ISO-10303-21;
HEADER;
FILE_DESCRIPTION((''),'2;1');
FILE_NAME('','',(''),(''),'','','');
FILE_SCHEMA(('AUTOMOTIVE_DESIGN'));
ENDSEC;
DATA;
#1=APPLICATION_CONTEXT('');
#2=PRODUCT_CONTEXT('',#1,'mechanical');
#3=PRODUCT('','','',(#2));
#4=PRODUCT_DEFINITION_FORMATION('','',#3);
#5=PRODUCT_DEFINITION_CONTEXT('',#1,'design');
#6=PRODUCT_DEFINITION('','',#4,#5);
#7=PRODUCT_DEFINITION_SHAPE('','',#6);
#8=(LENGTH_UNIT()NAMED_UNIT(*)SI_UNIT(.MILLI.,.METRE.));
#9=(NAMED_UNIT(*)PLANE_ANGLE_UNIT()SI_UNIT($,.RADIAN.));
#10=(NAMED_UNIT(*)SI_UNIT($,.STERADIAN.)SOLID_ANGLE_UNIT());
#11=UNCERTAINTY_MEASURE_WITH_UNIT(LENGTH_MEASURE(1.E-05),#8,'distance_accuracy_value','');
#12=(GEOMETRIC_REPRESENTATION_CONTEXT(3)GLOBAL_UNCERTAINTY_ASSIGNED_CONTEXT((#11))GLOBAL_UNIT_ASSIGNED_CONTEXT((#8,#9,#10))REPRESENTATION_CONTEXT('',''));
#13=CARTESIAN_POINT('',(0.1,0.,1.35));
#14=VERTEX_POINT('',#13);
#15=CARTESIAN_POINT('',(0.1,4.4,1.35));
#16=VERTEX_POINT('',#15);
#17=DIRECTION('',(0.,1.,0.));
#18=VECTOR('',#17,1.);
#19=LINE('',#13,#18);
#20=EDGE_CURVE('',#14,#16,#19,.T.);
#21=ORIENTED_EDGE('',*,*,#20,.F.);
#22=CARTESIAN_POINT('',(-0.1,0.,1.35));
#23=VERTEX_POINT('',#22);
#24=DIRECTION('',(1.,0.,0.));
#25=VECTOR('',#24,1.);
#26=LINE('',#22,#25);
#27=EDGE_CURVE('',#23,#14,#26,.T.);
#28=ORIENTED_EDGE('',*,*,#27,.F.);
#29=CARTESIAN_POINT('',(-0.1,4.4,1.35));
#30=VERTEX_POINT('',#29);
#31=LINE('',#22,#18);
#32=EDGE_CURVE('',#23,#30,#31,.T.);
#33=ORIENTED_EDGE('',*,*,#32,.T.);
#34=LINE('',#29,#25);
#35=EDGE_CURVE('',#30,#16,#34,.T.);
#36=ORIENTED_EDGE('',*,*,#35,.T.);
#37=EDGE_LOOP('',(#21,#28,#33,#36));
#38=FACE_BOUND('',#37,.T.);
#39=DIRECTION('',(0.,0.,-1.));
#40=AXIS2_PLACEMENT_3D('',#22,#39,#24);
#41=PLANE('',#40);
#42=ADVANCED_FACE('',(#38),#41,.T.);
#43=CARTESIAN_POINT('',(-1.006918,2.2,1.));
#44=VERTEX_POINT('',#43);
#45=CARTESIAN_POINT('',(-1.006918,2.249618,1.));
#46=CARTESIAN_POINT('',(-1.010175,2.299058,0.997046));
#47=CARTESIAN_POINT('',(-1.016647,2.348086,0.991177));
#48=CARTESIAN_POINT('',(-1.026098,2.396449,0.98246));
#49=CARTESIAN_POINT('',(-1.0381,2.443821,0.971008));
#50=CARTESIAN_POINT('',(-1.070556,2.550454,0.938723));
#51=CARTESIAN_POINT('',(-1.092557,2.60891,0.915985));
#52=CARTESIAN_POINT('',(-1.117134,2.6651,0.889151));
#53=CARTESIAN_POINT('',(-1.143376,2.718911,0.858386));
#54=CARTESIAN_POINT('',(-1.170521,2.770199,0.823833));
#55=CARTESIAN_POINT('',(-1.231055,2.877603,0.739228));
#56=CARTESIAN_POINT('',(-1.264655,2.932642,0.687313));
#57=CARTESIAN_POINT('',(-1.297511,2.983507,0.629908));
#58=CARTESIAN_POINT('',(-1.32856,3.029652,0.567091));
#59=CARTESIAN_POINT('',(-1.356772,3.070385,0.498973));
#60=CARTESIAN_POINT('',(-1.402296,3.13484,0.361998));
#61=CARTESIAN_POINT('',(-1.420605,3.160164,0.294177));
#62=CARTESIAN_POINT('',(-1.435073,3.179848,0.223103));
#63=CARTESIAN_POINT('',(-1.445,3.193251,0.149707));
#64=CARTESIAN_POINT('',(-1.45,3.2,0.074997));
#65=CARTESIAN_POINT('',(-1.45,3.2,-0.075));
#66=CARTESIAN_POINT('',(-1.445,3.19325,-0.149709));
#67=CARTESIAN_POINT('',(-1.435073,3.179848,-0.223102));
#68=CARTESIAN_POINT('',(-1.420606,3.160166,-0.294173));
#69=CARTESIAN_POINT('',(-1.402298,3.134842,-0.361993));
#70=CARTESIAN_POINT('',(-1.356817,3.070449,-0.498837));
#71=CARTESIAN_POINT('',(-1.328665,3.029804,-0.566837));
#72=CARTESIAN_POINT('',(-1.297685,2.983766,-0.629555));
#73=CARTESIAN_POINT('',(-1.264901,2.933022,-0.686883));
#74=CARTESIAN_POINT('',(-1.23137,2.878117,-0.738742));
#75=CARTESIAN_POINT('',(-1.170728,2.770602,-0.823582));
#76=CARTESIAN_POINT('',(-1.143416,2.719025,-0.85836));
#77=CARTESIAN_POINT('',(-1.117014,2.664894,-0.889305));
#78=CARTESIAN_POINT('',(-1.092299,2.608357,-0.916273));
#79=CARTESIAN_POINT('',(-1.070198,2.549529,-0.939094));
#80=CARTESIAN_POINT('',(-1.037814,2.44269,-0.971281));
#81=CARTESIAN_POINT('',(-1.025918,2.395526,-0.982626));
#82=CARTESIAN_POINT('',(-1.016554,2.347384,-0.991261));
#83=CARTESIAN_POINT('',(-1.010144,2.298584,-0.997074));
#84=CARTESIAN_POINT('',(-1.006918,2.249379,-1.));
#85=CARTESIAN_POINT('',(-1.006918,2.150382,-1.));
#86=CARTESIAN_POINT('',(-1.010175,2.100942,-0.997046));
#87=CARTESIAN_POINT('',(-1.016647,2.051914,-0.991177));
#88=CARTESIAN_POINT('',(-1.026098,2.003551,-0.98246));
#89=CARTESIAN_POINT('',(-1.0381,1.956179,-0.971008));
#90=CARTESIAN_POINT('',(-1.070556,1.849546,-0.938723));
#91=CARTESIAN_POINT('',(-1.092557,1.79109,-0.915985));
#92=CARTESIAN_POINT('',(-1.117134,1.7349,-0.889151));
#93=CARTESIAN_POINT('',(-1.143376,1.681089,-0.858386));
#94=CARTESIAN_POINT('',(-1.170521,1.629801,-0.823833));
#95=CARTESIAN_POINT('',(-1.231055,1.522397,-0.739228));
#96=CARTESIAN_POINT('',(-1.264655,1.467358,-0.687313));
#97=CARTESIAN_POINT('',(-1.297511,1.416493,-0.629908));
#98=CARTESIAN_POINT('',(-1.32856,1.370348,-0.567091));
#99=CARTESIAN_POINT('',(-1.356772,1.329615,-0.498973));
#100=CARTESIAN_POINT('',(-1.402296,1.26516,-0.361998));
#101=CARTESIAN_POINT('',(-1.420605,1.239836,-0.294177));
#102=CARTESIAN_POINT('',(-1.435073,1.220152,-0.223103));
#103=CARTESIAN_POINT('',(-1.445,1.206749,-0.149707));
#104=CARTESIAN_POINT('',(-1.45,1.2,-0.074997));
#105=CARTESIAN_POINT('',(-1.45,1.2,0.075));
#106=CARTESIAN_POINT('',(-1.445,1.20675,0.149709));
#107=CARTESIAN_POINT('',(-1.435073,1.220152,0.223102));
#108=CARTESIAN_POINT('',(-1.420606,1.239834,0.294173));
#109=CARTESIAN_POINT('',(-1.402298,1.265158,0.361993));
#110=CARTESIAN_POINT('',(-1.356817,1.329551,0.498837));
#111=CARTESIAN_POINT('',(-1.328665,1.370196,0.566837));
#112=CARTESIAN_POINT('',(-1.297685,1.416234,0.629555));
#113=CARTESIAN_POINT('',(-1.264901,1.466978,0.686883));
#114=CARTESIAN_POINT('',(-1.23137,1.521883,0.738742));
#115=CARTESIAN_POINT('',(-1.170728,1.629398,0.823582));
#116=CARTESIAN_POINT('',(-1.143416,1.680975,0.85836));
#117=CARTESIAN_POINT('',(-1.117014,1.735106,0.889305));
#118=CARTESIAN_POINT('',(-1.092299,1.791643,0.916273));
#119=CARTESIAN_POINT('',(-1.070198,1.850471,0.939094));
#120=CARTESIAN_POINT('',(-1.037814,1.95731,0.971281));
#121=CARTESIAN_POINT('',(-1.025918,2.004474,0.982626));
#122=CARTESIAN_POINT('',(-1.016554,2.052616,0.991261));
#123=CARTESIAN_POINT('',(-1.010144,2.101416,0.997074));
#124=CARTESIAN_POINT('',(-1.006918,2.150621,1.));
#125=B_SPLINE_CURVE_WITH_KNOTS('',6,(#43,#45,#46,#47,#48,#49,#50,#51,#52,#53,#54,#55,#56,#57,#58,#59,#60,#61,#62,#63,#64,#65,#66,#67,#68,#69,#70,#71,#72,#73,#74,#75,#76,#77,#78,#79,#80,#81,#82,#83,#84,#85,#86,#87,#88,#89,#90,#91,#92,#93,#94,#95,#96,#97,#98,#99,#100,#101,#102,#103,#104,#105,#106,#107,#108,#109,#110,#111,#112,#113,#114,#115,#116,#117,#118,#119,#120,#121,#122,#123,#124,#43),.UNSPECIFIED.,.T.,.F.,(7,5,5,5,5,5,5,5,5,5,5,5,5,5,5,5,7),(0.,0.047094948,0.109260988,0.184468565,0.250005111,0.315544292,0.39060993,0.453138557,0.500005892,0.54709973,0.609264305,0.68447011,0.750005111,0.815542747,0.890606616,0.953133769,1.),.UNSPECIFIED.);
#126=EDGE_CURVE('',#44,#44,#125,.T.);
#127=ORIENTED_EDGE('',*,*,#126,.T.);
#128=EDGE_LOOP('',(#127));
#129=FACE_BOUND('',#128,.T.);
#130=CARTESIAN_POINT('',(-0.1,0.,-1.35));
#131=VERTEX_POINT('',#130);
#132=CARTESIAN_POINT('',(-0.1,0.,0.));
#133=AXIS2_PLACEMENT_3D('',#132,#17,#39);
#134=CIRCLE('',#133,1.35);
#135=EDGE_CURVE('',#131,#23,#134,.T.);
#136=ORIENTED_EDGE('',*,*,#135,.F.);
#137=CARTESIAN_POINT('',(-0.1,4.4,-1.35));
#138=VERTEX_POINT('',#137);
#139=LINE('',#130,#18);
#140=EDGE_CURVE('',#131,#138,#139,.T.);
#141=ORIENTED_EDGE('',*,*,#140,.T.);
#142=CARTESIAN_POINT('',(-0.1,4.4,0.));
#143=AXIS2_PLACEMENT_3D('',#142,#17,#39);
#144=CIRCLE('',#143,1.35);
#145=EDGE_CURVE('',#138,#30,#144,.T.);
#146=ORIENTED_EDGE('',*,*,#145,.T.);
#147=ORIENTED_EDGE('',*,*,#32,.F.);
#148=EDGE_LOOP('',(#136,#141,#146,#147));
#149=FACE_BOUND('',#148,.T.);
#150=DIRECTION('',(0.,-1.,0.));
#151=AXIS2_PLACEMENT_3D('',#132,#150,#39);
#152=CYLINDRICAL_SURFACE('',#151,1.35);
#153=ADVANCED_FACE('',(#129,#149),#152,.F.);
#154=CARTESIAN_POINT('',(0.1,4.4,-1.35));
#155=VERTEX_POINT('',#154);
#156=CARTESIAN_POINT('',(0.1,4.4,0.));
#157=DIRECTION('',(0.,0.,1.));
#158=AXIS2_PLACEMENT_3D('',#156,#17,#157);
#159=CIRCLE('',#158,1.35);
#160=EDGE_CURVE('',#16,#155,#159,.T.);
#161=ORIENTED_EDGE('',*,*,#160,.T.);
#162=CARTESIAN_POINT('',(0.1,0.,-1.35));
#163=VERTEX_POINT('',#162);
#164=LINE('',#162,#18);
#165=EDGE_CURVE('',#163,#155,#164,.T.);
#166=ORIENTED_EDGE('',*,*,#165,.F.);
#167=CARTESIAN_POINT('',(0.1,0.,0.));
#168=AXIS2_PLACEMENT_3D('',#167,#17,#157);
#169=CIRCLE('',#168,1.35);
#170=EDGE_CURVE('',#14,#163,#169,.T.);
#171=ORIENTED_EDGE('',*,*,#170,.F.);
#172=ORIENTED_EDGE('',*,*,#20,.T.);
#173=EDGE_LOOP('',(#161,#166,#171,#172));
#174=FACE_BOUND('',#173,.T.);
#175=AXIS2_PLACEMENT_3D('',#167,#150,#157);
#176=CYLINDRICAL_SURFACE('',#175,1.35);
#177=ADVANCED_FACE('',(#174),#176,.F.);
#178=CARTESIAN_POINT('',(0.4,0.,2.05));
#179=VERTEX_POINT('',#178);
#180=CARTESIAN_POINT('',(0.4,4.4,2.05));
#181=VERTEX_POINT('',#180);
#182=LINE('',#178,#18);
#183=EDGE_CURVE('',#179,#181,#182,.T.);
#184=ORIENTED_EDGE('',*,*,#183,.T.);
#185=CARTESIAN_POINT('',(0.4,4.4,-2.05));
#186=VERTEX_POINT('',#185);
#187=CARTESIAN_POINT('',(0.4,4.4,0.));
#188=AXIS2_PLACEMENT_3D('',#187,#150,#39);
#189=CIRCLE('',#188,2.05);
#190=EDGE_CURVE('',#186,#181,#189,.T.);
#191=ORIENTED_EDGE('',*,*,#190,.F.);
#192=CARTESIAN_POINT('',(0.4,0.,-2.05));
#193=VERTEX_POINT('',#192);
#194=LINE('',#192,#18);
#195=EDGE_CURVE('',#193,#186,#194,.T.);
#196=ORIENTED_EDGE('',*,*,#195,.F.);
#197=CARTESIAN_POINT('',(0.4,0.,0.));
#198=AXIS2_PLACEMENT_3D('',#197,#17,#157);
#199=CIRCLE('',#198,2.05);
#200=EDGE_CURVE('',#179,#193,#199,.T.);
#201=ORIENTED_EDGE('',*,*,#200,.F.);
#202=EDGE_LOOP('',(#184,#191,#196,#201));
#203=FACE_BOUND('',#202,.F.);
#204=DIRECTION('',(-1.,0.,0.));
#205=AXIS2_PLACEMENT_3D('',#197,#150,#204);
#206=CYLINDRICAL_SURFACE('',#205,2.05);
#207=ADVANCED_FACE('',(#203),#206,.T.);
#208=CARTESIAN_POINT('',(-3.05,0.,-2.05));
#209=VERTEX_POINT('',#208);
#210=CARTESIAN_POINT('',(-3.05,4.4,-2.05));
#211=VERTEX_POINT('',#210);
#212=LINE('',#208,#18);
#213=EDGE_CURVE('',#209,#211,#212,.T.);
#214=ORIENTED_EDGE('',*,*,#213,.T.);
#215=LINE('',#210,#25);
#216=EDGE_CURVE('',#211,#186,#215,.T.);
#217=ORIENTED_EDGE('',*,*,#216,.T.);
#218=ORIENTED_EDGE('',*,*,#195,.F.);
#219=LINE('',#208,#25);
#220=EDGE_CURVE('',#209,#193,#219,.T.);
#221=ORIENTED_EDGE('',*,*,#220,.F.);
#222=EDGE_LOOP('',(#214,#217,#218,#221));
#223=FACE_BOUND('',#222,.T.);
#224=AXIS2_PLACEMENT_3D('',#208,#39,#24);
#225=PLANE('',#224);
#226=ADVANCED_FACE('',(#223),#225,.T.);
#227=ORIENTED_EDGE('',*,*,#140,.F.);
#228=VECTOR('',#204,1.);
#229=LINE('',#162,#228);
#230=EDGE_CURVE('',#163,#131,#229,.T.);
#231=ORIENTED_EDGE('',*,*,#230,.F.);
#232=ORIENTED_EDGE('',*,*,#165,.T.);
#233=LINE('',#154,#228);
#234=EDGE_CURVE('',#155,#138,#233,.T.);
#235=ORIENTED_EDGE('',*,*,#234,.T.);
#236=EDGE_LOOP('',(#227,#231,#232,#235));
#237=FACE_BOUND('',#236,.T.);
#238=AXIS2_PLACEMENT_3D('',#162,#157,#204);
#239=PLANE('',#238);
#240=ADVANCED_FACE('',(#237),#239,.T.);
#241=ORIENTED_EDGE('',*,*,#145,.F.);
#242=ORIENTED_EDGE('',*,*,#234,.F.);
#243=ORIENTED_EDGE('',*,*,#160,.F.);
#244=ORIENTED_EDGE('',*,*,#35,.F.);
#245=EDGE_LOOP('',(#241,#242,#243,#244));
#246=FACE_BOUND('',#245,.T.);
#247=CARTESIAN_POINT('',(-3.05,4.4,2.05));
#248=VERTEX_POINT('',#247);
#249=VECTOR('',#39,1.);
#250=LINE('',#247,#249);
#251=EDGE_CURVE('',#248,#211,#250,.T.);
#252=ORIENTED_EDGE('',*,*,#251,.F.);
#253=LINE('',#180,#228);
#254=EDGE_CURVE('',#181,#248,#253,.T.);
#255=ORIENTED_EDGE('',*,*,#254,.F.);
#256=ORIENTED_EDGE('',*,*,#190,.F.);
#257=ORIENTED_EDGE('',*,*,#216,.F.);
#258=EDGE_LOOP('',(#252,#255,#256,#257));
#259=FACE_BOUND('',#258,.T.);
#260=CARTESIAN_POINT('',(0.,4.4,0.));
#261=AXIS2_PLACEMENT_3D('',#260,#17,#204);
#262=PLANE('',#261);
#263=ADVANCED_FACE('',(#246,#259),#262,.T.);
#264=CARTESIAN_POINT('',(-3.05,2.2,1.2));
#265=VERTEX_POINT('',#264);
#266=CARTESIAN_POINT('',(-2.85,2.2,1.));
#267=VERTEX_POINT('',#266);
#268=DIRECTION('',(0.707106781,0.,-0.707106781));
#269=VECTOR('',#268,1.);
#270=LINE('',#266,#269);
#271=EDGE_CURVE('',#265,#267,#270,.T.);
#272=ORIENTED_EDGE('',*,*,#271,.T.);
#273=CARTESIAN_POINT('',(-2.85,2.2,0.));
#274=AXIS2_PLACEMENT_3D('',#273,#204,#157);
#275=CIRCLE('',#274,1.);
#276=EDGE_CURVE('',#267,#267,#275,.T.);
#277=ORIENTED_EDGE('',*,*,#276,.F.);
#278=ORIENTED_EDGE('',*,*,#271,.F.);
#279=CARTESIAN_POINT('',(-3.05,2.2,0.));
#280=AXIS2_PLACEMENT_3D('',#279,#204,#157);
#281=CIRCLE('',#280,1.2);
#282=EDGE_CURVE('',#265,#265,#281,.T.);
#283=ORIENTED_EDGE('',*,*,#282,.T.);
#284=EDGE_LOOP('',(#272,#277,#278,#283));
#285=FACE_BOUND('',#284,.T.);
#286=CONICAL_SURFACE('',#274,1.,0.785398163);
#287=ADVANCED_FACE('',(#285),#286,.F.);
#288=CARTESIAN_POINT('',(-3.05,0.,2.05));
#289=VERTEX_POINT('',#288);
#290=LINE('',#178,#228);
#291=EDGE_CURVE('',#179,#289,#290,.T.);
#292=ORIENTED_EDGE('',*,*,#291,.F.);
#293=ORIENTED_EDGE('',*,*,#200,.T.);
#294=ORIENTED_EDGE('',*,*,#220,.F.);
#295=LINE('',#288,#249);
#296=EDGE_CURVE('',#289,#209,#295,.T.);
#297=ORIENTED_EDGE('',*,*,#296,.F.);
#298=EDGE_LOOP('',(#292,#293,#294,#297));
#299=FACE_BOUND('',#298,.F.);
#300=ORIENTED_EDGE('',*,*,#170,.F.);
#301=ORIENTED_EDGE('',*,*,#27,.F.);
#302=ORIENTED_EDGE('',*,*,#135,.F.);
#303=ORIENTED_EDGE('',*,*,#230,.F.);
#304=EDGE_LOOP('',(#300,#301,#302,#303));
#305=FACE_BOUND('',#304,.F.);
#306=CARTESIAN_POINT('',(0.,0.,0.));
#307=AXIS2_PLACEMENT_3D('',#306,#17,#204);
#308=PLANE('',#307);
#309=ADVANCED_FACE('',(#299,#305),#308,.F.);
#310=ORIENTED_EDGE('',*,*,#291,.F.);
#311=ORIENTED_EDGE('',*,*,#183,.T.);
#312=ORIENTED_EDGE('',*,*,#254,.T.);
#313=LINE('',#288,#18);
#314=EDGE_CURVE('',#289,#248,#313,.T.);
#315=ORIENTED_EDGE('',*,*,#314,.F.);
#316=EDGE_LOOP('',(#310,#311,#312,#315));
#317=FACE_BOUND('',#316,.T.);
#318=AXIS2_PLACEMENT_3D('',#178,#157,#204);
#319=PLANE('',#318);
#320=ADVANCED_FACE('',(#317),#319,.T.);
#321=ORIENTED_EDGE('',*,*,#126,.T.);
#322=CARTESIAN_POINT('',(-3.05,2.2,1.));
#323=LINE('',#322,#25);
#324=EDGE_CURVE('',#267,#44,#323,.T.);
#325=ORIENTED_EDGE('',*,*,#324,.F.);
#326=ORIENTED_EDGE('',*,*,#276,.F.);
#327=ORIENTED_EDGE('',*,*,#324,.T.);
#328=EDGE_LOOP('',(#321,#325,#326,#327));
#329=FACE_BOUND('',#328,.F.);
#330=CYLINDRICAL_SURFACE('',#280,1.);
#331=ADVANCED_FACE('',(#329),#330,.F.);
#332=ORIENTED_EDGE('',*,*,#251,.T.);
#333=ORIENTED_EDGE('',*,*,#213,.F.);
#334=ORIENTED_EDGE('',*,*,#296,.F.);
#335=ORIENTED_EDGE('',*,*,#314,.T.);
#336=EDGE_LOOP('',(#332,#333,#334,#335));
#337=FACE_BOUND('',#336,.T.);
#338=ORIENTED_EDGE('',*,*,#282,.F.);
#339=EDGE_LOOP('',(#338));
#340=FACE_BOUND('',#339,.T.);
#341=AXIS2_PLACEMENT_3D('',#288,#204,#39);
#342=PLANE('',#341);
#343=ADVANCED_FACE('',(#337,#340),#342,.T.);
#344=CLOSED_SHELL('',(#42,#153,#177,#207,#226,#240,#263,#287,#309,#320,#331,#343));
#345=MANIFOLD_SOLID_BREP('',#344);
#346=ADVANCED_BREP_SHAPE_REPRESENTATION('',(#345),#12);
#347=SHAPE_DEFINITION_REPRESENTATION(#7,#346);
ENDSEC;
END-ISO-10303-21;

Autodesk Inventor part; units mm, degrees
ref_plane "YZ Plane" through (0, 0, 0) normal (1, 0, 0) x (0, 1, 0)
ref_plane "XZ Plane" through (0, 0, 0) normal (0, 1, 0) x (-1, 0, 0)
ref_plane "XY Plane" through (0, 0, 0) normal (0, 0, 1) x (1, 0, 0)
sketch "Sketch1" plane through (0, 0, 0) normal (0, 1, 0) x (-1, 0, 0)
  circle A0 centre (-0.4, 0) radius 2.05
  line L0 (-0.4, 2.05) -> (3.05, 2.05)
  line L1 (3.05, 2.05) -> (3.05, -2.05)
  line L2 (3.05, -2.05) -> (-0.4, -2.05)
  line L3 (-2.45, 0) -> (-2.45, -1.163)
  line L4 (-1.45, 0) -> (1.45, 0) construction
  line L5 (-0.1, -1.35) -> (0.1, -1.35)
  line L6 (0.1, 1.35) -> (-0.1, 1.35)
  arc A1 (-0.1, 1.35) -> (-0.1, -1.35) centre (-0.1, 0) ccw
  arc A2 (0.1, -1.35) -> (0.1, 1.35) centre (0.1, 0) ccw
  point P0 (0, 0)
  point P1 (0, 0)
  dimension "d1" = 4.1
  dimension "d2" = 5.5
  dimension "d3" = 2.7
  dimension "d4" = 2.9
  dimension "d5" = 1
extrude "Extrusion1" add sketch "Sketch1" along normal blind 4.4
sketch "Sketch2" plane through (-3.05, 0, -2.05) normal (-1, 0, 0) x (0, 0, 1)
  line L0 (0, 0) -> (4.1, 0) projected
  line L1 (4.1, 0) -> (4.1, 4.4) projected
  line L2 (0, 4.4) -> (4.1, 4.4) projected
  line L3 (0, 0) -> (0, 4.4) projected
  circle A0 centre (2.05, 2.2) radius 1
  point P0 (2.05, 0)
  dimension "d8" = 2
extrude "Extrusion2" cut sketch "Sketch2" against normal up to surface contours A0
thread "Thread1" size "M2x0.4" class "6H" standard "ANSI Metric M Profile" full length
chamfer "Chamfer1" distance 0.2 angle 45 1 edges at (-3.05, 2.2, -1)
properties part number "metal_connector" material "Steel, Alloy"
